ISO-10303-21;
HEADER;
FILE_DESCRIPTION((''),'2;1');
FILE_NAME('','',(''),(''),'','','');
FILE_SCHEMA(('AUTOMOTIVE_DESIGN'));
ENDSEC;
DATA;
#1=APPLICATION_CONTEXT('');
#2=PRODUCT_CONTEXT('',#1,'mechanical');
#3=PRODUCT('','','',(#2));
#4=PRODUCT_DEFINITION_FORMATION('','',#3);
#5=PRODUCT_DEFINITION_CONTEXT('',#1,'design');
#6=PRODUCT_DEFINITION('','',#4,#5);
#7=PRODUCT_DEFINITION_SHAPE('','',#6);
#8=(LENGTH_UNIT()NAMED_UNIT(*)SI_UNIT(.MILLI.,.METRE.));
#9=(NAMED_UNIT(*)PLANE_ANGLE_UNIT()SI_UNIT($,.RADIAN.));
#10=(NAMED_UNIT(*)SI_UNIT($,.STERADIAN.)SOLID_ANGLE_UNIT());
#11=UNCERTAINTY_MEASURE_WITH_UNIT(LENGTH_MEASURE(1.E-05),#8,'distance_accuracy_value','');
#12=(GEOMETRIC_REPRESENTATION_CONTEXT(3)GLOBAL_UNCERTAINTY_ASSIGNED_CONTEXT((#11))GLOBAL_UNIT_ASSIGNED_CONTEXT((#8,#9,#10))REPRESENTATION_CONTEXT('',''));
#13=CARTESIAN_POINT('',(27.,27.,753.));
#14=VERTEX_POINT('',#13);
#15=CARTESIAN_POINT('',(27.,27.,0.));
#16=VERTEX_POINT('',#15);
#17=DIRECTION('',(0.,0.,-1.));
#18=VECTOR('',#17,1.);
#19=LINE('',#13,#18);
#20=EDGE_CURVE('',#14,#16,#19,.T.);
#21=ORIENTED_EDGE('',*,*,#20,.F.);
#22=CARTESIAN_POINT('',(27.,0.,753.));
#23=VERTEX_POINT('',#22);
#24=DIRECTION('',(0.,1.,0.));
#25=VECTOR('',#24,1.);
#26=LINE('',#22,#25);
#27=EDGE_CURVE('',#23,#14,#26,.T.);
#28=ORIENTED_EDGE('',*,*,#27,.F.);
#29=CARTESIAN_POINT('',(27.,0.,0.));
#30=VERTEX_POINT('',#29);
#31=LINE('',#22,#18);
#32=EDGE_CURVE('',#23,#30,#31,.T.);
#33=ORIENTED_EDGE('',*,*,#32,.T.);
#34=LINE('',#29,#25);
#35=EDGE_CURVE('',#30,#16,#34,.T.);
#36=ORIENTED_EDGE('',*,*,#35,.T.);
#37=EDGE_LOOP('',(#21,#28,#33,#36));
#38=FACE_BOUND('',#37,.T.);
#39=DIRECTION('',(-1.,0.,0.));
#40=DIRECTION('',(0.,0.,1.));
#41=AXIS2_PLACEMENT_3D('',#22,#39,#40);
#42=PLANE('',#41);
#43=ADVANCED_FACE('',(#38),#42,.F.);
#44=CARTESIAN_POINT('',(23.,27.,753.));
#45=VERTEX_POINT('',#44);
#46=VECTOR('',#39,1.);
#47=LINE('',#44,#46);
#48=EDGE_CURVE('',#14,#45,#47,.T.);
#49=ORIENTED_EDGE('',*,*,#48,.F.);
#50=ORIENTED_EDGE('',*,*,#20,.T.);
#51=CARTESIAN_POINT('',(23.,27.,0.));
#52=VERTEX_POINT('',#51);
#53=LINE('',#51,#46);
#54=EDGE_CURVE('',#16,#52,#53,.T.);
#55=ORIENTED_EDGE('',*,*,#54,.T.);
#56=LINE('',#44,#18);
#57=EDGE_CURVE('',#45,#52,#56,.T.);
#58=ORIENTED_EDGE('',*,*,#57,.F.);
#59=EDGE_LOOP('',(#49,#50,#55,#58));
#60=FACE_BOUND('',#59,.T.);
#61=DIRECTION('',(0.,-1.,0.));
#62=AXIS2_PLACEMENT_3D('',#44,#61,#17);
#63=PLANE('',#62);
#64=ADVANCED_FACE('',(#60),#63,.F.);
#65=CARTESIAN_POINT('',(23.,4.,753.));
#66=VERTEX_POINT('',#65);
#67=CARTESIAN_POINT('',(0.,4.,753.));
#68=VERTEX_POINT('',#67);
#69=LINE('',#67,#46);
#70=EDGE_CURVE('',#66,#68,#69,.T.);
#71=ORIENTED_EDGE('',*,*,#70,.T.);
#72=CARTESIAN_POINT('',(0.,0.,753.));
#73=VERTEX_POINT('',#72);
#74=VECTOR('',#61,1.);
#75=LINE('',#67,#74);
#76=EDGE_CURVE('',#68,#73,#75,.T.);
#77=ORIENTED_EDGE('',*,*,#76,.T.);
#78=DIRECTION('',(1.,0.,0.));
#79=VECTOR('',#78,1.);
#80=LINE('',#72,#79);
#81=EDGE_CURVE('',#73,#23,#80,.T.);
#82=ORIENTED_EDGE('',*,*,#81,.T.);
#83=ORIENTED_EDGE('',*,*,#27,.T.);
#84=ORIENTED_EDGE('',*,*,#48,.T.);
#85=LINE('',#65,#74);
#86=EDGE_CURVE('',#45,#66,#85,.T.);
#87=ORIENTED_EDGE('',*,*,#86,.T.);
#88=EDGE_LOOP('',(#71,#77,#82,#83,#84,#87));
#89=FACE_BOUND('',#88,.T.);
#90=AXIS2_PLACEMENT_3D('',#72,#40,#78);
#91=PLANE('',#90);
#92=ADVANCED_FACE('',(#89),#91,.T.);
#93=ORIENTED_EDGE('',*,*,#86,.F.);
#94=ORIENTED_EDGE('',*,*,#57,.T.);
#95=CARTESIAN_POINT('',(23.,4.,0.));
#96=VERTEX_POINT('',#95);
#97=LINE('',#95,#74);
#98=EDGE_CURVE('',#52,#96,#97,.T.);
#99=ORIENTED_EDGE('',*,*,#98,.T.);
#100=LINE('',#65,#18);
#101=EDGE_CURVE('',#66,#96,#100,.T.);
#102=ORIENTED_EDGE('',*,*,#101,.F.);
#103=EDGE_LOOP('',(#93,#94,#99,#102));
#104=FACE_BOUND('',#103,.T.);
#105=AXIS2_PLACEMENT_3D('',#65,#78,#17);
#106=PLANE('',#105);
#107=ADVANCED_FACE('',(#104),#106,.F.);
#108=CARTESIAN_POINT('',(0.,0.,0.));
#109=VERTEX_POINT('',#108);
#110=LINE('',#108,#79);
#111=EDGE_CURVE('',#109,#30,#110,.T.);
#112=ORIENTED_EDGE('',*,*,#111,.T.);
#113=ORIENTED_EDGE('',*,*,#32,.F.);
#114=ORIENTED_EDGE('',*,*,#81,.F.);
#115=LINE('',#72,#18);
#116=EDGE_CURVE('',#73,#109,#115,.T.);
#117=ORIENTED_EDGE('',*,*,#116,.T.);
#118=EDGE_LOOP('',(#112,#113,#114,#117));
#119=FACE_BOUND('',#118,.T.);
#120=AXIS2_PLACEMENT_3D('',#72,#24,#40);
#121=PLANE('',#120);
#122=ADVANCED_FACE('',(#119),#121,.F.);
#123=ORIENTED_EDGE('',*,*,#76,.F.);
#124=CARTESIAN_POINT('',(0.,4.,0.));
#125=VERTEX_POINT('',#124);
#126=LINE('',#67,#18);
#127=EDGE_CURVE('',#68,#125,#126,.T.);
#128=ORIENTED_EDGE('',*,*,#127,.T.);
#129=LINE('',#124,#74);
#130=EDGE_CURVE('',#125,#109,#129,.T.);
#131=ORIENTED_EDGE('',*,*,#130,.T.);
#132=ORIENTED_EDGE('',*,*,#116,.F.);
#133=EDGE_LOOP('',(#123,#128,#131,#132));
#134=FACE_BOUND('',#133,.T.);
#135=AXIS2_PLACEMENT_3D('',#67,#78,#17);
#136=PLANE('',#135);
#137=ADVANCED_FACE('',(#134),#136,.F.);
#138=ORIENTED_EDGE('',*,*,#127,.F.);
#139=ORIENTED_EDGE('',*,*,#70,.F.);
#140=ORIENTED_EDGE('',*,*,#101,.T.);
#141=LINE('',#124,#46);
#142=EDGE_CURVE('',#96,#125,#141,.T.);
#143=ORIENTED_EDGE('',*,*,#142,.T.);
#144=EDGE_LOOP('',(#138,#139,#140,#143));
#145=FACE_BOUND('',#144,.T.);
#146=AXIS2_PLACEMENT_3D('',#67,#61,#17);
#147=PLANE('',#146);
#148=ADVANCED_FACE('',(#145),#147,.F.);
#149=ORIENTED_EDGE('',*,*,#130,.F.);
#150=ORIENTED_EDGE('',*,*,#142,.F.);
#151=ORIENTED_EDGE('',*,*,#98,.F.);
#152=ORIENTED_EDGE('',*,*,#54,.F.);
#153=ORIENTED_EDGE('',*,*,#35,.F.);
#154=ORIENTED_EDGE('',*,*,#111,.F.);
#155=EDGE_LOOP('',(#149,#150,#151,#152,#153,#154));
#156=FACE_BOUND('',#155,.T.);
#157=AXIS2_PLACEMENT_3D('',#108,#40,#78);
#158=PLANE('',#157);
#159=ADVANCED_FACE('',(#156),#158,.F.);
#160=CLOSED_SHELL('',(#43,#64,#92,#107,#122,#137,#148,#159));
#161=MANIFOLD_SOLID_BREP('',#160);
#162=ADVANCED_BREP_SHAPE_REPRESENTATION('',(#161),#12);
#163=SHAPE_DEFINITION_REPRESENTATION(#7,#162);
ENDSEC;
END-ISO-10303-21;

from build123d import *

# Parameters (mm, degrees)
BOSS_EXTRUDE1_DEPTH = 753


with BuildPart() as part:
    # Sketch1 → Boss-Extrude1 (new body)
    with BuildSketch(Plane.XY):
        Polygon((0, 0), (27, 0), (27, 27), (23, 27), (23, 4), (0, 4), align=None)
    extrude(amount=BOSS_EXTRUDE1_DEPTH)


solid = part.part
